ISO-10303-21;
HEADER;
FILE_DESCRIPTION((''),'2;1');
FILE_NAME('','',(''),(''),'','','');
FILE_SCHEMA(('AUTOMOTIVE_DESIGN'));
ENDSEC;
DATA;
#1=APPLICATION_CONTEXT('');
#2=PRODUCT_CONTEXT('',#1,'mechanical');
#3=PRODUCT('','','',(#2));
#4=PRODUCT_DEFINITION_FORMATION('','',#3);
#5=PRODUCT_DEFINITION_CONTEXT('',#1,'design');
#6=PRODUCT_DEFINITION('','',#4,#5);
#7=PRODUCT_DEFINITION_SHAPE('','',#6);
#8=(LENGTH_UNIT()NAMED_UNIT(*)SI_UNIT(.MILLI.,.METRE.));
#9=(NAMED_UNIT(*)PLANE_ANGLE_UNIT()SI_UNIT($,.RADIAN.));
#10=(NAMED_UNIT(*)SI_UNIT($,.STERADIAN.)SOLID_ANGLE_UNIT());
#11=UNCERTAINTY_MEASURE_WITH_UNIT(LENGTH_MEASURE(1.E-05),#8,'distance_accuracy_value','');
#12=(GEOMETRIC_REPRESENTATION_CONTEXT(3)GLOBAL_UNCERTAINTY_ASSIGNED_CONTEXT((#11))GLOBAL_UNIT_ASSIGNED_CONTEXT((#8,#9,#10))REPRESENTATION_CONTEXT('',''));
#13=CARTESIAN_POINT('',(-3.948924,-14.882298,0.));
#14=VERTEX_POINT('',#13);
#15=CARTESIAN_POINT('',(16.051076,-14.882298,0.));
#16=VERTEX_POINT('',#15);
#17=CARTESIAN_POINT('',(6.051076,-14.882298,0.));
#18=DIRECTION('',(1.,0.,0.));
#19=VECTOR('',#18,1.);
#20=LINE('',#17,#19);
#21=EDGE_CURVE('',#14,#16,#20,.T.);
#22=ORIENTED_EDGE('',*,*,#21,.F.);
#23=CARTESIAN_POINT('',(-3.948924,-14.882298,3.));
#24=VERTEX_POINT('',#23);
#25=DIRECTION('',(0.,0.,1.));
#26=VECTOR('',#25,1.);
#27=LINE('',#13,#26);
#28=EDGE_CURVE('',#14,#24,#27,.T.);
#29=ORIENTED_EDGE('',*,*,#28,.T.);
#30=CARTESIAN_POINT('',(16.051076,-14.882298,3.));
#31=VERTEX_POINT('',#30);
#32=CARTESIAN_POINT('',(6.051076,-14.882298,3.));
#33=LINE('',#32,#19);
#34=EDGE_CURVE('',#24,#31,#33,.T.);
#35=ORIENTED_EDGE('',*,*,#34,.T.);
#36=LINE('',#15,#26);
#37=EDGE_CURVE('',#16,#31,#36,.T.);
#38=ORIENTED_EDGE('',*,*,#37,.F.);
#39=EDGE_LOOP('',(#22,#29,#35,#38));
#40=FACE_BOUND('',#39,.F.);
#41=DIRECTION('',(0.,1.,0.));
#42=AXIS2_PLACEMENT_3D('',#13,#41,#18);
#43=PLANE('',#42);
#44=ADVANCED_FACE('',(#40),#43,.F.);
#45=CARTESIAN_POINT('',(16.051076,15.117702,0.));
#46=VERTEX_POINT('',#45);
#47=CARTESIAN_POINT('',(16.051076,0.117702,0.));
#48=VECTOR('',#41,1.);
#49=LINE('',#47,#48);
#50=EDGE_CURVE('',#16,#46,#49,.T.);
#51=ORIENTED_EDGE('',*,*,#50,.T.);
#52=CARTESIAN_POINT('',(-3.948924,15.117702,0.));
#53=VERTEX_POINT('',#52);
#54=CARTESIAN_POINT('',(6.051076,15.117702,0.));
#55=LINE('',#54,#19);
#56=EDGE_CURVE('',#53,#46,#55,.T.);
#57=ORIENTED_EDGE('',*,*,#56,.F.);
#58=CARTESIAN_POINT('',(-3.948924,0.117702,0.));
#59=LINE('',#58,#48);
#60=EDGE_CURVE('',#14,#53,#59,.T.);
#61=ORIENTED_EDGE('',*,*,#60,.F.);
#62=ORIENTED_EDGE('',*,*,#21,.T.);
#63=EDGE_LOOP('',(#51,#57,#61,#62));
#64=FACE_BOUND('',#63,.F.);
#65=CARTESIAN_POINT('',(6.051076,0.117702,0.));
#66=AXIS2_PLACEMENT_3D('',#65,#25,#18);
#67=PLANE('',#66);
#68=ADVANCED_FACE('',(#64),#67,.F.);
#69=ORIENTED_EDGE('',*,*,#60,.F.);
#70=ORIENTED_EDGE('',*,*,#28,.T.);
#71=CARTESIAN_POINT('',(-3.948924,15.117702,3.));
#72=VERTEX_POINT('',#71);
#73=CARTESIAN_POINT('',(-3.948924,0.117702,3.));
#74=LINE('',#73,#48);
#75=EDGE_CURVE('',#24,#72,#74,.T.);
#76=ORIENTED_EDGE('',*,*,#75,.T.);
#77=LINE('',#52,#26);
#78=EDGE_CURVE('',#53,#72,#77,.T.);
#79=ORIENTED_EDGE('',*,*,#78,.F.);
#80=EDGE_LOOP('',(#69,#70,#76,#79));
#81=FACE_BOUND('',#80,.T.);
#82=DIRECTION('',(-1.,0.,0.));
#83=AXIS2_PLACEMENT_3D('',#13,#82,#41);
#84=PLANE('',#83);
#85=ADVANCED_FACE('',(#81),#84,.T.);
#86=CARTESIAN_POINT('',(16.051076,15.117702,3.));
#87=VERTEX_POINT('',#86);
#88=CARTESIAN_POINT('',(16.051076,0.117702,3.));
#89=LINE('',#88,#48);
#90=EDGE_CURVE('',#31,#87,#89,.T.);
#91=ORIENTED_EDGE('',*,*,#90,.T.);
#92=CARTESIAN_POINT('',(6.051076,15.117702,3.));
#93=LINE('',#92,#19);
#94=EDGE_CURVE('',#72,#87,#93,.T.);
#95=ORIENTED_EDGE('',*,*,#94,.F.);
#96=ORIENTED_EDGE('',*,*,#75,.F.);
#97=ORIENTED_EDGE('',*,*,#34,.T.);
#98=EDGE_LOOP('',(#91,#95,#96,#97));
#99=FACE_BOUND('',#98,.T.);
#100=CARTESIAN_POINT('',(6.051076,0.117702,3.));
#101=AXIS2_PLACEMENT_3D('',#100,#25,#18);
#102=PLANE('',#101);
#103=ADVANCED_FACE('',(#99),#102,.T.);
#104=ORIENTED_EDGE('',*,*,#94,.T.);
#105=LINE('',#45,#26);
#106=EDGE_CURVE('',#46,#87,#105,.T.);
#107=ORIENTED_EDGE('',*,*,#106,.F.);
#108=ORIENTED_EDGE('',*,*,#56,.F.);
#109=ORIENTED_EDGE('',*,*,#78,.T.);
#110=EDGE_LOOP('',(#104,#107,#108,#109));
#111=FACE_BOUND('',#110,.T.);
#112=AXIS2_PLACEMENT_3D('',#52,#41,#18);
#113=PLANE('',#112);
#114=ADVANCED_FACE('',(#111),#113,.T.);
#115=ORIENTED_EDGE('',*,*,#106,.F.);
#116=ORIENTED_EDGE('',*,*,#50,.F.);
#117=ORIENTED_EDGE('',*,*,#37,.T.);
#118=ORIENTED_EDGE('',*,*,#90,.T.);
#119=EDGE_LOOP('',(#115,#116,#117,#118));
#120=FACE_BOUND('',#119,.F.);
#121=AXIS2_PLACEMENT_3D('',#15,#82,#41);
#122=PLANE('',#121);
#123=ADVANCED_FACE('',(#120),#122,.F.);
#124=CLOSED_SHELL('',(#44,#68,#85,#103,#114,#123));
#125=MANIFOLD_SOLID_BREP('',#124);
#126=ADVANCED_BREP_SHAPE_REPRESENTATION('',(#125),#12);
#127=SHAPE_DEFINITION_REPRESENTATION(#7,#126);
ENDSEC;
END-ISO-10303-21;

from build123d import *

# Parameters (mm, degrees)
SKETCH_W  = 20
SKETCH_H  = 30
PAD_DEPTH = 3


with BuildPart() as part:
    # Sketch → Pad (new body)
    with BuildSketch(Plane.XY):
        with Locations((6.051076, 0.117702)):
            Rectangle(SKETCH_W, SKETCH_H)
    extrude(amount=PAD_DEPTH)


solid = part.part
